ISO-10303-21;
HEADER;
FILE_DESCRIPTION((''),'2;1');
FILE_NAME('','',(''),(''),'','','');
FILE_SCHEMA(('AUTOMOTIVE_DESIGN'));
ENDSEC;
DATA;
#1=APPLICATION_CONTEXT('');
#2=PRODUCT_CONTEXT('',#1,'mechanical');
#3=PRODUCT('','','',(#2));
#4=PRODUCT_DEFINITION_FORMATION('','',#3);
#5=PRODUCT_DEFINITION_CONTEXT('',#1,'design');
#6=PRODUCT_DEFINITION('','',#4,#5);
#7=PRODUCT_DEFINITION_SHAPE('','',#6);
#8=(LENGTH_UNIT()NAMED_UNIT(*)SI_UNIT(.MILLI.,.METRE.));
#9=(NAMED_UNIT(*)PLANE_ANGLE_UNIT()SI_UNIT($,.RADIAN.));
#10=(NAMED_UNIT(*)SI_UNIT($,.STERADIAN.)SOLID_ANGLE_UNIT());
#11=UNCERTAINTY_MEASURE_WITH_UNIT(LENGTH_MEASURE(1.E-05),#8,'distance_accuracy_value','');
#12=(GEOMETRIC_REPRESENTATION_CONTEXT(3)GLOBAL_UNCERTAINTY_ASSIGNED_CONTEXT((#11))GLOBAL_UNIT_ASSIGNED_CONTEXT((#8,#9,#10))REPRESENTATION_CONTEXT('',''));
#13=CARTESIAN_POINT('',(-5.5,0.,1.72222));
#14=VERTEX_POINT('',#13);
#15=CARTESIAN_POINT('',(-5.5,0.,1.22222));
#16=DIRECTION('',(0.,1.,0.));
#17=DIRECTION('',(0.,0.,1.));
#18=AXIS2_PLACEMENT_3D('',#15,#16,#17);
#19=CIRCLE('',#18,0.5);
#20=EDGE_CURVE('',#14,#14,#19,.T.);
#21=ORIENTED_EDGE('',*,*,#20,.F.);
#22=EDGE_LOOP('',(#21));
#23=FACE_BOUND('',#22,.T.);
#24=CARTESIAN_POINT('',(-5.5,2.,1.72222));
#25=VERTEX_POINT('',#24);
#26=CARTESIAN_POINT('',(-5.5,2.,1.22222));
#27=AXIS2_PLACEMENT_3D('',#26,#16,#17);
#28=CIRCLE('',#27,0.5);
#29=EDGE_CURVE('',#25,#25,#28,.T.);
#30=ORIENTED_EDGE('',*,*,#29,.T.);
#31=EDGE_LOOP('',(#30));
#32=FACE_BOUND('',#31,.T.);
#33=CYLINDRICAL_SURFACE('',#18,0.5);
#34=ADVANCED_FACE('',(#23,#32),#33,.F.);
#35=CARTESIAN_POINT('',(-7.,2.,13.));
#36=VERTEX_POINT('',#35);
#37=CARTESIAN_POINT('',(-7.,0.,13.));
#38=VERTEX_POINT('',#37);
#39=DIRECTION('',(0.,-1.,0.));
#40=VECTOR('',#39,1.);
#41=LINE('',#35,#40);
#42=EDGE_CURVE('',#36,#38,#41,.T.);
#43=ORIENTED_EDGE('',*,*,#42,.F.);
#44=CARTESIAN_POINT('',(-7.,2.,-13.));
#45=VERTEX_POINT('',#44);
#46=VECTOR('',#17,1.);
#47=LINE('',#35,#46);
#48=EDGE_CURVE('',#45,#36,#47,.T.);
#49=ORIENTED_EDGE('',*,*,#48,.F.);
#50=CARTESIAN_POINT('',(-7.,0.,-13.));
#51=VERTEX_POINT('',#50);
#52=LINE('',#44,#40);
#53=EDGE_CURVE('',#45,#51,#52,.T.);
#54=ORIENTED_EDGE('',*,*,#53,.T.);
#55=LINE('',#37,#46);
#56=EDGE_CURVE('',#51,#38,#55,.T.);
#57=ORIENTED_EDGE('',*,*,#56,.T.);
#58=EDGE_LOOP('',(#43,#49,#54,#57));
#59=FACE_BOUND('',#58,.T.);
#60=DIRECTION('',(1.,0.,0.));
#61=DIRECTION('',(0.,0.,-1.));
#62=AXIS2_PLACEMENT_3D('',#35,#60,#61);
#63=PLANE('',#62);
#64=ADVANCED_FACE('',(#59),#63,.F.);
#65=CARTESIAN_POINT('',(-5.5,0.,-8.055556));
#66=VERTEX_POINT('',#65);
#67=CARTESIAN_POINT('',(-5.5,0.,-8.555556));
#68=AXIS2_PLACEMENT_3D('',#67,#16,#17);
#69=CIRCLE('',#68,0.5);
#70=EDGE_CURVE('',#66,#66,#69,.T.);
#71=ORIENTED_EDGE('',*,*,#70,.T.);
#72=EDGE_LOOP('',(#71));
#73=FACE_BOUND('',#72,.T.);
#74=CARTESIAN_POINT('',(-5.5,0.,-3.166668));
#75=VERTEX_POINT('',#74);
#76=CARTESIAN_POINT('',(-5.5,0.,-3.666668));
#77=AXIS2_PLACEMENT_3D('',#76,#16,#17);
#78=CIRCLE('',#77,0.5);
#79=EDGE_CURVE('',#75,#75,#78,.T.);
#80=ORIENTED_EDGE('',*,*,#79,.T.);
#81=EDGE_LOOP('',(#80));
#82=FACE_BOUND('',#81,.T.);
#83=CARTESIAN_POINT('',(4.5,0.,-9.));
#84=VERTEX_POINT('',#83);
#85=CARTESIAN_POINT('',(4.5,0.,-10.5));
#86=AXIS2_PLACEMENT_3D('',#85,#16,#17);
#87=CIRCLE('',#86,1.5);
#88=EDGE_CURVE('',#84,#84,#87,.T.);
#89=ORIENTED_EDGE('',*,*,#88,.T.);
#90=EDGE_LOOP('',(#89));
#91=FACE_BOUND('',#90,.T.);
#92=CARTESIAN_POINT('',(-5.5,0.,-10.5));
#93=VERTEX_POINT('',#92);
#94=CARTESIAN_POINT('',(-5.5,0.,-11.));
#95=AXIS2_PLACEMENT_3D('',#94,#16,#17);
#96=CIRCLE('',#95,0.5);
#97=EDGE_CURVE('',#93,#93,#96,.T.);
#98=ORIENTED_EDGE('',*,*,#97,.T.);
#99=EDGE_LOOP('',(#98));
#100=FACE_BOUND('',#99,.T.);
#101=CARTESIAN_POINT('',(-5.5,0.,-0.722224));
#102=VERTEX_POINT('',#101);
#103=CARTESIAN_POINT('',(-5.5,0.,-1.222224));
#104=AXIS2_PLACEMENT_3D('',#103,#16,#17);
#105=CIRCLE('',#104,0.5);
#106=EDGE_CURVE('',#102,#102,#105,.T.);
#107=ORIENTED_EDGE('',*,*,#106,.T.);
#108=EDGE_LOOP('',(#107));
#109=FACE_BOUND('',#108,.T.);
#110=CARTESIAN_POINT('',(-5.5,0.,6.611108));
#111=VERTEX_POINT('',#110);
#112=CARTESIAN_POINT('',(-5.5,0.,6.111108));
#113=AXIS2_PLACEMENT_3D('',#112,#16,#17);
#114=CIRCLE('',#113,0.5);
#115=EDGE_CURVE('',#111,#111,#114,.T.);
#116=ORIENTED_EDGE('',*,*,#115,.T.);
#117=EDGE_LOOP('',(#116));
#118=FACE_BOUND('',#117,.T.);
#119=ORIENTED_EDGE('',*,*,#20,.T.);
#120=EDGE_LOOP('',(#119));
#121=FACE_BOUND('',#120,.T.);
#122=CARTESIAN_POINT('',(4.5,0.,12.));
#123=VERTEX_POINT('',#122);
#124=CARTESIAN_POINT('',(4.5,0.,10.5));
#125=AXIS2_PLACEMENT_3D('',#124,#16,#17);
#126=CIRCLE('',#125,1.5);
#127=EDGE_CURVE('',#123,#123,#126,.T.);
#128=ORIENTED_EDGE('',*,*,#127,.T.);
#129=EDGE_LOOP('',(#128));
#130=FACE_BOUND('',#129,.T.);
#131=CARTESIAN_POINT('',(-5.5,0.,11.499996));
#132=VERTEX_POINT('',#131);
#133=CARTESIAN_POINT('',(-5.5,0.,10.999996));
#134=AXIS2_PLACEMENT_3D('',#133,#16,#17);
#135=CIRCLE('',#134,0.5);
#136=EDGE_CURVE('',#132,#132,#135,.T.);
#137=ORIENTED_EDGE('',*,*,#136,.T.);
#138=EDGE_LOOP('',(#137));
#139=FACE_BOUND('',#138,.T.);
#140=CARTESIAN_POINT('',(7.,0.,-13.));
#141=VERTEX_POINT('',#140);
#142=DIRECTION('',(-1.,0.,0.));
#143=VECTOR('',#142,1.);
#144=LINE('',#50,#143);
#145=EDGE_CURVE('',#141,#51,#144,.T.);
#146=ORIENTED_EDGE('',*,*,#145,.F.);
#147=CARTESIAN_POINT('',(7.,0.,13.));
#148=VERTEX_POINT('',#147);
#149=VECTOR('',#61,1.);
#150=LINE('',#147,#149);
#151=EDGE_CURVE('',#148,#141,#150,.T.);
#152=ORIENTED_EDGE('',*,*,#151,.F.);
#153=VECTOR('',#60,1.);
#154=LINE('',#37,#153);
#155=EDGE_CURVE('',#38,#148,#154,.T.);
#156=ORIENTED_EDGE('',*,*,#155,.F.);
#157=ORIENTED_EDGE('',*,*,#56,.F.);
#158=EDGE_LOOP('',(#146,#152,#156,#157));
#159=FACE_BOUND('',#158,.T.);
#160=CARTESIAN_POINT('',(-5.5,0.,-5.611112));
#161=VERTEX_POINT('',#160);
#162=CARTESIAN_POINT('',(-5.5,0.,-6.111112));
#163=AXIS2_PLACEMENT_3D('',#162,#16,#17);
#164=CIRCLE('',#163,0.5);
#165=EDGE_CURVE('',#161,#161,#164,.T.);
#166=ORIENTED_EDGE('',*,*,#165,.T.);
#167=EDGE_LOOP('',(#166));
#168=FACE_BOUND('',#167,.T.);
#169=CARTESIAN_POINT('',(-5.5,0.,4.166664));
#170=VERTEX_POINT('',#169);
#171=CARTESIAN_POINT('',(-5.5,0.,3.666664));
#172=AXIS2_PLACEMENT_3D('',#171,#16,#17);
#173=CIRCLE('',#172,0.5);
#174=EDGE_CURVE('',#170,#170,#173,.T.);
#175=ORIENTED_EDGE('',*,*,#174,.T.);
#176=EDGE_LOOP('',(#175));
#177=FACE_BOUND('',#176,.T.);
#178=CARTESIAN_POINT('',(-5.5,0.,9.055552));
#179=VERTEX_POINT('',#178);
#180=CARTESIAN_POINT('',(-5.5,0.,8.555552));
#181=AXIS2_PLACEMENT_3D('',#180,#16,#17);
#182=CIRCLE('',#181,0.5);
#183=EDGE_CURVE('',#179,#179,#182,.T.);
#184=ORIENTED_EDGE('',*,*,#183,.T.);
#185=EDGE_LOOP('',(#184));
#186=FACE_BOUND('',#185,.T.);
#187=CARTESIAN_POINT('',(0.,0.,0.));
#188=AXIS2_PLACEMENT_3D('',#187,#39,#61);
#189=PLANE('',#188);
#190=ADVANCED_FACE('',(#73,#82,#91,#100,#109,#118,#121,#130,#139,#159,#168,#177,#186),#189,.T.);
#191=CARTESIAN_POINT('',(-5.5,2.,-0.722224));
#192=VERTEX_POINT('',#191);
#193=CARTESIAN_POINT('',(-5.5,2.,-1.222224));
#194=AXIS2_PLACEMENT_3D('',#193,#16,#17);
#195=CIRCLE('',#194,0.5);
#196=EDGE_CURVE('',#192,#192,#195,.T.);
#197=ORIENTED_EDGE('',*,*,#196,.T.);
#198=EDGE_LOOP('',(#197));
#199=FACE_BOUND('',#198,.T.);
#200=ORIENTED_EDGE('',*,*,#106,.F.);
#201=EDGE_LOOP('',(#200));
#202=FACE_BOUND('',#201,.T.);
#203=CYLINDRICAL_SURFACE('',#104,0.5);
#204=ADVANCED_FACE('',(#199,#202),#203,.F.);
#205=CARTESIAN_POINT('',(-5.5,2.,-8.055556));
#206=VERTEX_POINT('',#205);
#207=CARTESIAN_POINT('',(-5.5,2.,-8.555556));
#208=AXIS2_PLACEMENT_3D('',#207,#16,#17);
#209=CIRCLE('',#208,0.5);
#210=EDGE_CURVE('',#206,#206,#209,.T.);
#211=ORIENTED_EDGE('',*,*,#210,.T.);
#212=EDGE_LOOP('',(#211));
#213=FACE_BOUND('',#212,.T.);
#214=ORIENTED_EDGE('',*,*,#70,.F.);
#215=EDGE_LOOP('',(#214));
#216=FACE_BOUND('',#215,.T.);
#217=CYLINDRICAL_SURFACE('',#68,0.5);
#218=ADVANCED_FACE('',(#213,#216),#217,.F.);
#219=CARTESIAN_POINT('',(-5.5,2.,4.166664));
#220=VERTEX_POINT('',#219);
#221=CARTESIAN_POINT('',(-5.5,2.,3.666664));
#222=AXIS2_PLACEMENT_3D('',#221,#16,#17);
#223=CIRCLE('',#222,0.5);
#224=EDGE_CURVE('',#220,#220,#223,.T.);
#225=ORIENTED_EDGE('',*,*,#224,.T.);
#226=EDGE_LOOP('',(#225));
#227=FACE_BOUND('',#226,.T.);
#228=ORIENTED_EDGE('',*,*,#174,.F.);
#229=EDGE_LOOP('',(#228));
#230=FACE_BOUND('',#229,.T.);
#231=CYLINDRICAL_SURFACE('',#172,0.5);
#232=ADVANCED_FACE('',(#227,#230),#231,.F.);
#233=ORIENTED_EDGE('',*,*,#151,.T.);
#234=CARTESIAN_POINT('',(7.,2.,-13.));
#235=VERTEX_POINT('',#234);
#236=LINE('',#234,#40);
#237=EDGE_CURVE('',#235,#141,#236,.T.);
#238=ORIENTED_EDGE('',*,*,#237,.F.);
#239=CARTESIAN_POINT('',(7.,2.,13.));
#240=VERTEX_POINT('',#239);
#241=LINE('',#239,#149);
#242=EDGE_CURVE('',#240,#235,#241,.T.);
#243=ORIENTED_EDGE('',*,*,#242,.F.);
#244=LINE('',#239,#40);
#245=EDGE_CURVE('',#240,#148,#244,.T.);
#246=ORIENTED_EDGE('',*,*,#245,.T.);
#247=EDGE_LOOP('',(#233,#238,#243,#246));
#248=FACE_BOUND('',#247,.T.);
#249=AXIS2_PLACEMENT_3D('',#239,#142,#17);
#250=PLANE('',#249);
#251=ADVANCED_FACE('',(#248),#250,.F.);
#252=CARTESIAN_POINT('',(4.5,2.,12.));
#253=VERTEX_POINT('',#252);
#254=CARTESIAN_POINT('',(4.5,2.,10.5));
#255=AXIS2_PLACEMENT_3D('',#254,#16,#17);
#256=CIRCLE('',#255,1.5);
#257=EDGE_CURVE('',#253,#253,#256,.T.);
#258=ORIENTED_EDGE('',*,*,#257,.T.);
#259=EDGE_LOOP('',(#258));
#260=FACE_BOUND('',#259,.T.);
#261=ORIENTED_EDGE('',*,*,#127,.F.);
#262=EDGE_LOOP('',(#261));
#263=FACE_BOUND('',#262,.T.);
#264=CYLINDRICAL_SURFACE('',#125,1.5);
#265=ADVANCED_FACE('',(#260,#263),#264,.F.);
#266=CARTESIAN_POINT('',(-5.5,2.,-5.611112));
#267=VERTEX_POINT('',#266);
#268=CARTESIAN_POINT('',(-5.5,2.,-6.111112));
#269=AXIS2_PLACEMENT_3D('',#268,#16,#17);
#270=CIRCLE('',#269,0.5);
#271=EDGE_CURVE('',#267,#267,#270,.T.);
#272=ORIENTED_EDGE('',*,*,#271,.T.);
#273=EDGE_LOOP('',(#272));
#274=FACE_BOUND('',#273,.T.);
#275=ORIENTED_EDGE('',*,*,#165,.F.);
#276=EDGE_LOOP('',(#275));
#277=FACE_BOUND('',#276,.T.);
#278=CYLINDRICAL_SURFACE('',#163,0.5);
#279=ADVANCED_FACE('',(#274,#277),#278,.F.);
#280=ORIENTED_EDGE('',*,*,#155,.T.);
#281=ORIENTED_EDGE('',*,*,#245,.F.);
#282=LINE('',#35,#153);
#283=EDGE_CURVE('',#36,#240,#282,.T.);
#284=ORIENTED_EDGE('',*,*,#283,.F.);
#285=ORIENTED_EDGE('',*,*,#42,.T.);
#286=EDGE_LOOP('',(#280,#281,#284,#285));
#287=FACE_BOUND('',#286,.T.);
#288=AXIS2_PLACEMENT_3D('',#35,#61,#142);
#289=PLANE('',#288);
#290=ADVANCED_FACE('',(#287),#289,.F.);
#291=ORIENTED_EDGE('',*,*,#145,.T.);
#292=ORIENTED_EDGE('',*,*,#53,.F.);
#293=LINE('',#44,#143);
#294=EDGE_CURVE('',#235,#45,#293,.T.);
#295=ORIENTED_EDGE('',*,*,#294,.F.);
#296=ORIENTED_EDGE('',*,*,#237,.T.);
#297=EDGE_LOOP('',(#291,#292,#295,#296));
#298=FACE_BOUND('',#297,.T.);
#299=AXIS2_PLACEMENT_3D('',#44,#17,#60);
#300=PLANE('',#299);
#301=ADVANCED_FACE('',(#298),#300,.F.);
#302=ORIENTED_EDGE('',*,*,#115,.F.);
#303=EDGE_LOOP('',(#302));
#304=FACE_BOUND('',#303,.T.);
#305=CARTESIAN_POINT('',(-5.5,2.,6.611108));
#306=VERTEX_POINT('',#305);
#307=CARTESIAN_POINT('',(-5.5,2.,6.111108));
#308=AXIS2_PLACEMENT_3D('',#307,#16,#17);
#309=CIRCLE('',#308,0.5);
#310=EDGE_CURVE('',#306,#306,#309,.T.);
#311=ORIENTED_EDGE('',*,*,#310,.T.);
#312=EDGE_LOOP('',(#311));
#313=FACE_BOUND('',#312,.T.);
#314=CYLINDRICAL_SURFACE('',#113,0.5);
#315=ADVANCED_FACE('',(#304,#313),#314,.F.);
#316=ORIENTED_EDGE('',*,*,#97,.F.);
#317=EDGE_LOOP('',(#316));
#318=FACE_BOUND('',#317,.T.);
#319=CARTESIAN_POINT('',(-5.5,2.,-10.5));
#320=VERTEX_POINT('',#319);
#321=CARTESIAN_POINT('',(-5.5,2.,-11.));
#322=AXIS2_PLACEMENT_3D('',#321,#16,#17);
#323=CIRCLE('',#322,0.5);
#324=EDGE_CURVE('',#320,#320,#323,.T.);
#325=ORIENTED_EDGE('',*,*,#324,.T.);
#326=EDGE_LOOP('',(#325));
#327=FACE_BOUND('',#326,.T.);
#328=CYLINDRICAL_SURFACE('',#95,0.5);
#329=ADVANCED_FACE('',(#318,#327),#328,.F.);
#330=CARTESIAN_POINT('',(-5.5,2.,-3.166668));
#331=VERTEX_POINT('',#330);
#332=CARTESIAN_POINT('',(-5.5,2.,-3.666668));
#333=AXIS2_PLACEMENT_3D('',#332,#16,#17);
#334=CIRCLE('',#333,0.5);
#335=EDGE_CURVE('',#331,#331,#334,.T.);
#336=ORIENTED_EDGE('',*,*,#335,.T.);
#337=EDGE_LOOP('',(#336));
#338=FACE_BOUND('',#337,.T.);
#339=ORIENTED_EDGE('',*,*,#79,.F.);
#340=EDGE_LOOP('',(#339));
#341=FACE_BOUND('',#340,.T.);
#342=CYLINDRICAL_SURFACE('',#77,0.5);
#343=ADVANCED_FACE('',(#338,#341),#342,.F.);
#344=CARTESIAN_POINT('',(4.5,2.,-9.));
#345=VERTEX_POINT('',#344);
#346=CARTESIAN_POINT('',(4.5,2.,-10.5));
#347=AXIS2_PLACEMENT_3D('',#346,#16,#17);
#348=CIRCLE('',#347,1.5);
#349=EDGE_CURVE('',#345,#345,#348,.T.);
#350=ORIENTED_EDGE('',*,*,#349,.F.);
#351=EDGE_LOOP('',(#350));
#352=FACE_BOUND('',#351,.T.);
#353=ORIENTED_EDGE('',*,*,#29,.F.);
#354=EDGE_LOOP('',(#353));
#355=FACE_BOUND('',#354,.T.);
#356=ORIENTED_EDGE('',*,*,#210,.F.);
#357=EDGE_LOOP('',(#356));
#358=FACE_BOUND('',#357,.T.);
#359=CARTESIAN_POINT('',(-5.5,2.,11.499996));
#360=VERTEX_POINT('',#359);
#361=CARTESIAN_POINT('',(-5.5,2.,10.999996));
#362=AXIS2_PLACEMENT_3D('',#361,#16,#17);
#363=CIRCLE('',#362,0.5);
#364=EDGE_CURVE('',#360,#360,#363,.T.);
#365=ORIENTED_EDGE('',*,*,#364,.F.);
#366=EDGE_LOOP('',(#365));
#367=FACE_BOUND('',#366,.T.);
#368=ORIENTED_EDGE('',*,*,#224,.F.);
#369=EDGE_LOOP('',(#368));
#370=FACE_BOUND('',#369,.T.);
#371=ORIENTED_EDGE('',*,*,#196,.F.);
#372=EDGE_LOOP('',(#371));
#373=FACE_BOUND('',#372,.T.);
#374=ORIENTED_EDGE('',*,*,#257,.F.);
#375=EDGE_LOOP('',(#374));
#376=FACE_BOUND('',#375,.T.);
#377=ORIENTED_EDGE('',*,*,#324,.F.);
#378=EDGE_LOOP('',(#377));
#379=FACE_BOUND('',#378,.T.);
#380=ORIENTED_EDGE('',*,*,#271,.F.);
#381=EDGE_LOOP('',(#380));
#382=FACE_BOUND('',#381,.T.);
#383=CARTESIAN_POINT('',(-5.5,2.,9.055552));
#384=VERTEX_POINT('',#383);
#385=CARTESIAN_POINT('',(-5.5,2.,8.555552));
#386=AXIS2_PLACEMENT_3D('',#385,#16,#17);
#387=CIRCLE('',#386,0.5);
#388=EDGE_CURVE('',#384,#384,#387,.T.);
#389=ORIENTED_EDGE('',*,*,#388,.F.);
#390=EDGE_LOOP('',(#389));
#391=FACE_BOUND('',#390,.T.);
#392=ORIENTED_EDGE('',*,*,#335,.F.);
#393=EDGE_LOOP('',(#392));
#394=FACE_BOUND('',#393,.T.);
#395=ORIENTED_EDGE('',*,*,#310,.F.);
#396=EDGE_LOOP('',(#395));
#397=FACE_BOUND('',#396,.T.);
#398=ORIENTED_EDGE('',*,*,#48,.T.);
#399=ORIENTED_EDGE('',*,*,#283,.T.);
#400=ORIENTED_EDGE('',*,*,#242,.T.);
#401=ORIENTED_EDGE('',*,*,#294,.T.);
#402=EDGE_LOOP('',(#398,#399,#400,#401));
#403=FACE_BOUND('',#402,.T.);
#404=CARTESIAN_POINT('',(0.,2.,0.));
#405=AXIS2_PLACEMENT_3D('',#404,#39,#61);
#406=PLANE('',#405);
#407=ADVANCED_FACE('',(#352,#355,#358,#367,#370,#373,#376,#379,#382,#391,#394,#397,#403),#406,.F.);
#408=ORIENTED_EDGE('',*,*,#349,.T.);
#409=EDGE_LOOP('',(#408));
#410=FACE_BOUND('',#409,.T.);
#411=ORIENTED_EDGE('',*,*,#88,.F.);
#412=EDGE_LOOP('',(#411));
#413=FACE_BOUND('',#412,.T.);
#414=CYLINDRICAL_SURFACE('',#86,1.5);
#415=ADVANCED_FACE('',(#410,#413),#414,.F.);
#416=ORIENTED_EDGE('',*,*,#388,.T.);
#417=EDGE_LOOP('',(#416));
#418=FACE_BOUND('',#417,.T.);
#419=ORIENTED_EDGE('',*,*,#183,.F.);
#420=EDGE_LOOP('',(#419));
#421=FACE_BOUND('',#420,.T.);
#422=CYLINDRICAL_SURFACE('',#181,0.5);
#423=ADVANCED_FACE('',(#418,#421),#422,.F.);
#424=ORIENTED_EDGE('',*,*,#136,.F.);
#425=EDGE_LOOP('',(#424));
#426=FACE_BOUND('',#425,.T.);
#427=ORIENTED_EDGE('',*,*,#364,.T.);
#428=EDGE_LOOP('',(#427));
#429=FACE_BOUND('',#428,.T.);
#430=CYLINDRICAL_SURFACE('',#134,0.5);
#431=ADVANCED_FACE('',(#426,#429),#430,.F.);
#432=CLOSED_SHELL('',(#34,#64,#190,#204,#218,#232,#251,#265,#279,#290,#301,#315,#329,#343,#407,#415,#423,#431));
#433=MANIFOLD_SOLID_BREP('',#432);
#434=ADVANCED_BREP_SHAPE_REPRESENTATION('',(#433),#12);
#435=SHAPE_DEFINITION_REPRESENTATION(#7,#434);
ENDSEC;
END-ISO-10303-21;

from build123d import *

# Parameters (mm, degrees)
SKETCH1_W           = 14
SKETCH1_H           = 26
BOSS_EXTRUDE1_DEPTH = 2
SKETCH2_R           = 1.5
CUT_EXTRUDE1_DEPTH  = 15.899664426
SKETCH3_R           = 0.5
CUT_EXTRUDE2_DEPTH  = 15.899664426


with BuildPart() as part:
    # Sketch1 → Boss-Extrude1 (new body)
    with BuildSketch(Plane(origin=(0, 0, 0), x_dir=(1, 0, 0), z_dir=(0, 1, 0))):
        Rectangle(SKETCH1_W, SKETCH1_H)
    extrude(amount=BOSS_EXTRUDE1_DEPTH)

    # Sketch2 → Cut-Extrude1 (cut, through all)
    with BuildSketch(Plane(origin=(0, 2, 0), x_dir=(1, 0, 0), z_dir=(0, 1, 0))):
        with Locations((4.5, 10.5)):
            Circle(SKETCH2_R)
        with Locations((4.5, -10.5)):
            Circle(SKETCH2_R)
    extrude(amount=-CUT_EXTRUDE1_DEPTH, mode=Mode.SUBTRACT)

    # Sketch3 → Cut-Extrude2 (cut, through all)
    with BuildSketch(Plane(origin=(0, 2, 0), x_dir=(1, 0, 0), z_dir=(0, 1, 0))):
        with Locations((-5.5, 11)):
            Circle(SKETCH3_R)
        with Locations((-5.5, 8.555556)):
            Circle(SKETCH3_R)
        with Locations((-5.5, 6.111112)):
            Circle(SKETCH3_R)
        with Locations((-5.5, 3.666668)):
            Circle(SKETCH3_R)
        with Locations((-5.5, 1.222224)):
            Circle(SKETCH3_R)
        with Locations((-5.5, -1.22222)):
            Circle(SKETCH3_R)
        with Locations((-5.5, -3.666664)):
            Circle(SKETCH3_R)
        with Locations((-5.5, -6.111108)):
            Circle(SKETCH3_R)
        with Locations((-5.5, -8.555552)):
            Circle(SKETCH3_R)
        with Locations((-5.5, -10.999996)):
            Circle(SKETCH3_R)
    extrude(amount=-CUT_EXTRUDE2_DEPTH, mode=Mode.SUBTRACT)


solid = part.part
